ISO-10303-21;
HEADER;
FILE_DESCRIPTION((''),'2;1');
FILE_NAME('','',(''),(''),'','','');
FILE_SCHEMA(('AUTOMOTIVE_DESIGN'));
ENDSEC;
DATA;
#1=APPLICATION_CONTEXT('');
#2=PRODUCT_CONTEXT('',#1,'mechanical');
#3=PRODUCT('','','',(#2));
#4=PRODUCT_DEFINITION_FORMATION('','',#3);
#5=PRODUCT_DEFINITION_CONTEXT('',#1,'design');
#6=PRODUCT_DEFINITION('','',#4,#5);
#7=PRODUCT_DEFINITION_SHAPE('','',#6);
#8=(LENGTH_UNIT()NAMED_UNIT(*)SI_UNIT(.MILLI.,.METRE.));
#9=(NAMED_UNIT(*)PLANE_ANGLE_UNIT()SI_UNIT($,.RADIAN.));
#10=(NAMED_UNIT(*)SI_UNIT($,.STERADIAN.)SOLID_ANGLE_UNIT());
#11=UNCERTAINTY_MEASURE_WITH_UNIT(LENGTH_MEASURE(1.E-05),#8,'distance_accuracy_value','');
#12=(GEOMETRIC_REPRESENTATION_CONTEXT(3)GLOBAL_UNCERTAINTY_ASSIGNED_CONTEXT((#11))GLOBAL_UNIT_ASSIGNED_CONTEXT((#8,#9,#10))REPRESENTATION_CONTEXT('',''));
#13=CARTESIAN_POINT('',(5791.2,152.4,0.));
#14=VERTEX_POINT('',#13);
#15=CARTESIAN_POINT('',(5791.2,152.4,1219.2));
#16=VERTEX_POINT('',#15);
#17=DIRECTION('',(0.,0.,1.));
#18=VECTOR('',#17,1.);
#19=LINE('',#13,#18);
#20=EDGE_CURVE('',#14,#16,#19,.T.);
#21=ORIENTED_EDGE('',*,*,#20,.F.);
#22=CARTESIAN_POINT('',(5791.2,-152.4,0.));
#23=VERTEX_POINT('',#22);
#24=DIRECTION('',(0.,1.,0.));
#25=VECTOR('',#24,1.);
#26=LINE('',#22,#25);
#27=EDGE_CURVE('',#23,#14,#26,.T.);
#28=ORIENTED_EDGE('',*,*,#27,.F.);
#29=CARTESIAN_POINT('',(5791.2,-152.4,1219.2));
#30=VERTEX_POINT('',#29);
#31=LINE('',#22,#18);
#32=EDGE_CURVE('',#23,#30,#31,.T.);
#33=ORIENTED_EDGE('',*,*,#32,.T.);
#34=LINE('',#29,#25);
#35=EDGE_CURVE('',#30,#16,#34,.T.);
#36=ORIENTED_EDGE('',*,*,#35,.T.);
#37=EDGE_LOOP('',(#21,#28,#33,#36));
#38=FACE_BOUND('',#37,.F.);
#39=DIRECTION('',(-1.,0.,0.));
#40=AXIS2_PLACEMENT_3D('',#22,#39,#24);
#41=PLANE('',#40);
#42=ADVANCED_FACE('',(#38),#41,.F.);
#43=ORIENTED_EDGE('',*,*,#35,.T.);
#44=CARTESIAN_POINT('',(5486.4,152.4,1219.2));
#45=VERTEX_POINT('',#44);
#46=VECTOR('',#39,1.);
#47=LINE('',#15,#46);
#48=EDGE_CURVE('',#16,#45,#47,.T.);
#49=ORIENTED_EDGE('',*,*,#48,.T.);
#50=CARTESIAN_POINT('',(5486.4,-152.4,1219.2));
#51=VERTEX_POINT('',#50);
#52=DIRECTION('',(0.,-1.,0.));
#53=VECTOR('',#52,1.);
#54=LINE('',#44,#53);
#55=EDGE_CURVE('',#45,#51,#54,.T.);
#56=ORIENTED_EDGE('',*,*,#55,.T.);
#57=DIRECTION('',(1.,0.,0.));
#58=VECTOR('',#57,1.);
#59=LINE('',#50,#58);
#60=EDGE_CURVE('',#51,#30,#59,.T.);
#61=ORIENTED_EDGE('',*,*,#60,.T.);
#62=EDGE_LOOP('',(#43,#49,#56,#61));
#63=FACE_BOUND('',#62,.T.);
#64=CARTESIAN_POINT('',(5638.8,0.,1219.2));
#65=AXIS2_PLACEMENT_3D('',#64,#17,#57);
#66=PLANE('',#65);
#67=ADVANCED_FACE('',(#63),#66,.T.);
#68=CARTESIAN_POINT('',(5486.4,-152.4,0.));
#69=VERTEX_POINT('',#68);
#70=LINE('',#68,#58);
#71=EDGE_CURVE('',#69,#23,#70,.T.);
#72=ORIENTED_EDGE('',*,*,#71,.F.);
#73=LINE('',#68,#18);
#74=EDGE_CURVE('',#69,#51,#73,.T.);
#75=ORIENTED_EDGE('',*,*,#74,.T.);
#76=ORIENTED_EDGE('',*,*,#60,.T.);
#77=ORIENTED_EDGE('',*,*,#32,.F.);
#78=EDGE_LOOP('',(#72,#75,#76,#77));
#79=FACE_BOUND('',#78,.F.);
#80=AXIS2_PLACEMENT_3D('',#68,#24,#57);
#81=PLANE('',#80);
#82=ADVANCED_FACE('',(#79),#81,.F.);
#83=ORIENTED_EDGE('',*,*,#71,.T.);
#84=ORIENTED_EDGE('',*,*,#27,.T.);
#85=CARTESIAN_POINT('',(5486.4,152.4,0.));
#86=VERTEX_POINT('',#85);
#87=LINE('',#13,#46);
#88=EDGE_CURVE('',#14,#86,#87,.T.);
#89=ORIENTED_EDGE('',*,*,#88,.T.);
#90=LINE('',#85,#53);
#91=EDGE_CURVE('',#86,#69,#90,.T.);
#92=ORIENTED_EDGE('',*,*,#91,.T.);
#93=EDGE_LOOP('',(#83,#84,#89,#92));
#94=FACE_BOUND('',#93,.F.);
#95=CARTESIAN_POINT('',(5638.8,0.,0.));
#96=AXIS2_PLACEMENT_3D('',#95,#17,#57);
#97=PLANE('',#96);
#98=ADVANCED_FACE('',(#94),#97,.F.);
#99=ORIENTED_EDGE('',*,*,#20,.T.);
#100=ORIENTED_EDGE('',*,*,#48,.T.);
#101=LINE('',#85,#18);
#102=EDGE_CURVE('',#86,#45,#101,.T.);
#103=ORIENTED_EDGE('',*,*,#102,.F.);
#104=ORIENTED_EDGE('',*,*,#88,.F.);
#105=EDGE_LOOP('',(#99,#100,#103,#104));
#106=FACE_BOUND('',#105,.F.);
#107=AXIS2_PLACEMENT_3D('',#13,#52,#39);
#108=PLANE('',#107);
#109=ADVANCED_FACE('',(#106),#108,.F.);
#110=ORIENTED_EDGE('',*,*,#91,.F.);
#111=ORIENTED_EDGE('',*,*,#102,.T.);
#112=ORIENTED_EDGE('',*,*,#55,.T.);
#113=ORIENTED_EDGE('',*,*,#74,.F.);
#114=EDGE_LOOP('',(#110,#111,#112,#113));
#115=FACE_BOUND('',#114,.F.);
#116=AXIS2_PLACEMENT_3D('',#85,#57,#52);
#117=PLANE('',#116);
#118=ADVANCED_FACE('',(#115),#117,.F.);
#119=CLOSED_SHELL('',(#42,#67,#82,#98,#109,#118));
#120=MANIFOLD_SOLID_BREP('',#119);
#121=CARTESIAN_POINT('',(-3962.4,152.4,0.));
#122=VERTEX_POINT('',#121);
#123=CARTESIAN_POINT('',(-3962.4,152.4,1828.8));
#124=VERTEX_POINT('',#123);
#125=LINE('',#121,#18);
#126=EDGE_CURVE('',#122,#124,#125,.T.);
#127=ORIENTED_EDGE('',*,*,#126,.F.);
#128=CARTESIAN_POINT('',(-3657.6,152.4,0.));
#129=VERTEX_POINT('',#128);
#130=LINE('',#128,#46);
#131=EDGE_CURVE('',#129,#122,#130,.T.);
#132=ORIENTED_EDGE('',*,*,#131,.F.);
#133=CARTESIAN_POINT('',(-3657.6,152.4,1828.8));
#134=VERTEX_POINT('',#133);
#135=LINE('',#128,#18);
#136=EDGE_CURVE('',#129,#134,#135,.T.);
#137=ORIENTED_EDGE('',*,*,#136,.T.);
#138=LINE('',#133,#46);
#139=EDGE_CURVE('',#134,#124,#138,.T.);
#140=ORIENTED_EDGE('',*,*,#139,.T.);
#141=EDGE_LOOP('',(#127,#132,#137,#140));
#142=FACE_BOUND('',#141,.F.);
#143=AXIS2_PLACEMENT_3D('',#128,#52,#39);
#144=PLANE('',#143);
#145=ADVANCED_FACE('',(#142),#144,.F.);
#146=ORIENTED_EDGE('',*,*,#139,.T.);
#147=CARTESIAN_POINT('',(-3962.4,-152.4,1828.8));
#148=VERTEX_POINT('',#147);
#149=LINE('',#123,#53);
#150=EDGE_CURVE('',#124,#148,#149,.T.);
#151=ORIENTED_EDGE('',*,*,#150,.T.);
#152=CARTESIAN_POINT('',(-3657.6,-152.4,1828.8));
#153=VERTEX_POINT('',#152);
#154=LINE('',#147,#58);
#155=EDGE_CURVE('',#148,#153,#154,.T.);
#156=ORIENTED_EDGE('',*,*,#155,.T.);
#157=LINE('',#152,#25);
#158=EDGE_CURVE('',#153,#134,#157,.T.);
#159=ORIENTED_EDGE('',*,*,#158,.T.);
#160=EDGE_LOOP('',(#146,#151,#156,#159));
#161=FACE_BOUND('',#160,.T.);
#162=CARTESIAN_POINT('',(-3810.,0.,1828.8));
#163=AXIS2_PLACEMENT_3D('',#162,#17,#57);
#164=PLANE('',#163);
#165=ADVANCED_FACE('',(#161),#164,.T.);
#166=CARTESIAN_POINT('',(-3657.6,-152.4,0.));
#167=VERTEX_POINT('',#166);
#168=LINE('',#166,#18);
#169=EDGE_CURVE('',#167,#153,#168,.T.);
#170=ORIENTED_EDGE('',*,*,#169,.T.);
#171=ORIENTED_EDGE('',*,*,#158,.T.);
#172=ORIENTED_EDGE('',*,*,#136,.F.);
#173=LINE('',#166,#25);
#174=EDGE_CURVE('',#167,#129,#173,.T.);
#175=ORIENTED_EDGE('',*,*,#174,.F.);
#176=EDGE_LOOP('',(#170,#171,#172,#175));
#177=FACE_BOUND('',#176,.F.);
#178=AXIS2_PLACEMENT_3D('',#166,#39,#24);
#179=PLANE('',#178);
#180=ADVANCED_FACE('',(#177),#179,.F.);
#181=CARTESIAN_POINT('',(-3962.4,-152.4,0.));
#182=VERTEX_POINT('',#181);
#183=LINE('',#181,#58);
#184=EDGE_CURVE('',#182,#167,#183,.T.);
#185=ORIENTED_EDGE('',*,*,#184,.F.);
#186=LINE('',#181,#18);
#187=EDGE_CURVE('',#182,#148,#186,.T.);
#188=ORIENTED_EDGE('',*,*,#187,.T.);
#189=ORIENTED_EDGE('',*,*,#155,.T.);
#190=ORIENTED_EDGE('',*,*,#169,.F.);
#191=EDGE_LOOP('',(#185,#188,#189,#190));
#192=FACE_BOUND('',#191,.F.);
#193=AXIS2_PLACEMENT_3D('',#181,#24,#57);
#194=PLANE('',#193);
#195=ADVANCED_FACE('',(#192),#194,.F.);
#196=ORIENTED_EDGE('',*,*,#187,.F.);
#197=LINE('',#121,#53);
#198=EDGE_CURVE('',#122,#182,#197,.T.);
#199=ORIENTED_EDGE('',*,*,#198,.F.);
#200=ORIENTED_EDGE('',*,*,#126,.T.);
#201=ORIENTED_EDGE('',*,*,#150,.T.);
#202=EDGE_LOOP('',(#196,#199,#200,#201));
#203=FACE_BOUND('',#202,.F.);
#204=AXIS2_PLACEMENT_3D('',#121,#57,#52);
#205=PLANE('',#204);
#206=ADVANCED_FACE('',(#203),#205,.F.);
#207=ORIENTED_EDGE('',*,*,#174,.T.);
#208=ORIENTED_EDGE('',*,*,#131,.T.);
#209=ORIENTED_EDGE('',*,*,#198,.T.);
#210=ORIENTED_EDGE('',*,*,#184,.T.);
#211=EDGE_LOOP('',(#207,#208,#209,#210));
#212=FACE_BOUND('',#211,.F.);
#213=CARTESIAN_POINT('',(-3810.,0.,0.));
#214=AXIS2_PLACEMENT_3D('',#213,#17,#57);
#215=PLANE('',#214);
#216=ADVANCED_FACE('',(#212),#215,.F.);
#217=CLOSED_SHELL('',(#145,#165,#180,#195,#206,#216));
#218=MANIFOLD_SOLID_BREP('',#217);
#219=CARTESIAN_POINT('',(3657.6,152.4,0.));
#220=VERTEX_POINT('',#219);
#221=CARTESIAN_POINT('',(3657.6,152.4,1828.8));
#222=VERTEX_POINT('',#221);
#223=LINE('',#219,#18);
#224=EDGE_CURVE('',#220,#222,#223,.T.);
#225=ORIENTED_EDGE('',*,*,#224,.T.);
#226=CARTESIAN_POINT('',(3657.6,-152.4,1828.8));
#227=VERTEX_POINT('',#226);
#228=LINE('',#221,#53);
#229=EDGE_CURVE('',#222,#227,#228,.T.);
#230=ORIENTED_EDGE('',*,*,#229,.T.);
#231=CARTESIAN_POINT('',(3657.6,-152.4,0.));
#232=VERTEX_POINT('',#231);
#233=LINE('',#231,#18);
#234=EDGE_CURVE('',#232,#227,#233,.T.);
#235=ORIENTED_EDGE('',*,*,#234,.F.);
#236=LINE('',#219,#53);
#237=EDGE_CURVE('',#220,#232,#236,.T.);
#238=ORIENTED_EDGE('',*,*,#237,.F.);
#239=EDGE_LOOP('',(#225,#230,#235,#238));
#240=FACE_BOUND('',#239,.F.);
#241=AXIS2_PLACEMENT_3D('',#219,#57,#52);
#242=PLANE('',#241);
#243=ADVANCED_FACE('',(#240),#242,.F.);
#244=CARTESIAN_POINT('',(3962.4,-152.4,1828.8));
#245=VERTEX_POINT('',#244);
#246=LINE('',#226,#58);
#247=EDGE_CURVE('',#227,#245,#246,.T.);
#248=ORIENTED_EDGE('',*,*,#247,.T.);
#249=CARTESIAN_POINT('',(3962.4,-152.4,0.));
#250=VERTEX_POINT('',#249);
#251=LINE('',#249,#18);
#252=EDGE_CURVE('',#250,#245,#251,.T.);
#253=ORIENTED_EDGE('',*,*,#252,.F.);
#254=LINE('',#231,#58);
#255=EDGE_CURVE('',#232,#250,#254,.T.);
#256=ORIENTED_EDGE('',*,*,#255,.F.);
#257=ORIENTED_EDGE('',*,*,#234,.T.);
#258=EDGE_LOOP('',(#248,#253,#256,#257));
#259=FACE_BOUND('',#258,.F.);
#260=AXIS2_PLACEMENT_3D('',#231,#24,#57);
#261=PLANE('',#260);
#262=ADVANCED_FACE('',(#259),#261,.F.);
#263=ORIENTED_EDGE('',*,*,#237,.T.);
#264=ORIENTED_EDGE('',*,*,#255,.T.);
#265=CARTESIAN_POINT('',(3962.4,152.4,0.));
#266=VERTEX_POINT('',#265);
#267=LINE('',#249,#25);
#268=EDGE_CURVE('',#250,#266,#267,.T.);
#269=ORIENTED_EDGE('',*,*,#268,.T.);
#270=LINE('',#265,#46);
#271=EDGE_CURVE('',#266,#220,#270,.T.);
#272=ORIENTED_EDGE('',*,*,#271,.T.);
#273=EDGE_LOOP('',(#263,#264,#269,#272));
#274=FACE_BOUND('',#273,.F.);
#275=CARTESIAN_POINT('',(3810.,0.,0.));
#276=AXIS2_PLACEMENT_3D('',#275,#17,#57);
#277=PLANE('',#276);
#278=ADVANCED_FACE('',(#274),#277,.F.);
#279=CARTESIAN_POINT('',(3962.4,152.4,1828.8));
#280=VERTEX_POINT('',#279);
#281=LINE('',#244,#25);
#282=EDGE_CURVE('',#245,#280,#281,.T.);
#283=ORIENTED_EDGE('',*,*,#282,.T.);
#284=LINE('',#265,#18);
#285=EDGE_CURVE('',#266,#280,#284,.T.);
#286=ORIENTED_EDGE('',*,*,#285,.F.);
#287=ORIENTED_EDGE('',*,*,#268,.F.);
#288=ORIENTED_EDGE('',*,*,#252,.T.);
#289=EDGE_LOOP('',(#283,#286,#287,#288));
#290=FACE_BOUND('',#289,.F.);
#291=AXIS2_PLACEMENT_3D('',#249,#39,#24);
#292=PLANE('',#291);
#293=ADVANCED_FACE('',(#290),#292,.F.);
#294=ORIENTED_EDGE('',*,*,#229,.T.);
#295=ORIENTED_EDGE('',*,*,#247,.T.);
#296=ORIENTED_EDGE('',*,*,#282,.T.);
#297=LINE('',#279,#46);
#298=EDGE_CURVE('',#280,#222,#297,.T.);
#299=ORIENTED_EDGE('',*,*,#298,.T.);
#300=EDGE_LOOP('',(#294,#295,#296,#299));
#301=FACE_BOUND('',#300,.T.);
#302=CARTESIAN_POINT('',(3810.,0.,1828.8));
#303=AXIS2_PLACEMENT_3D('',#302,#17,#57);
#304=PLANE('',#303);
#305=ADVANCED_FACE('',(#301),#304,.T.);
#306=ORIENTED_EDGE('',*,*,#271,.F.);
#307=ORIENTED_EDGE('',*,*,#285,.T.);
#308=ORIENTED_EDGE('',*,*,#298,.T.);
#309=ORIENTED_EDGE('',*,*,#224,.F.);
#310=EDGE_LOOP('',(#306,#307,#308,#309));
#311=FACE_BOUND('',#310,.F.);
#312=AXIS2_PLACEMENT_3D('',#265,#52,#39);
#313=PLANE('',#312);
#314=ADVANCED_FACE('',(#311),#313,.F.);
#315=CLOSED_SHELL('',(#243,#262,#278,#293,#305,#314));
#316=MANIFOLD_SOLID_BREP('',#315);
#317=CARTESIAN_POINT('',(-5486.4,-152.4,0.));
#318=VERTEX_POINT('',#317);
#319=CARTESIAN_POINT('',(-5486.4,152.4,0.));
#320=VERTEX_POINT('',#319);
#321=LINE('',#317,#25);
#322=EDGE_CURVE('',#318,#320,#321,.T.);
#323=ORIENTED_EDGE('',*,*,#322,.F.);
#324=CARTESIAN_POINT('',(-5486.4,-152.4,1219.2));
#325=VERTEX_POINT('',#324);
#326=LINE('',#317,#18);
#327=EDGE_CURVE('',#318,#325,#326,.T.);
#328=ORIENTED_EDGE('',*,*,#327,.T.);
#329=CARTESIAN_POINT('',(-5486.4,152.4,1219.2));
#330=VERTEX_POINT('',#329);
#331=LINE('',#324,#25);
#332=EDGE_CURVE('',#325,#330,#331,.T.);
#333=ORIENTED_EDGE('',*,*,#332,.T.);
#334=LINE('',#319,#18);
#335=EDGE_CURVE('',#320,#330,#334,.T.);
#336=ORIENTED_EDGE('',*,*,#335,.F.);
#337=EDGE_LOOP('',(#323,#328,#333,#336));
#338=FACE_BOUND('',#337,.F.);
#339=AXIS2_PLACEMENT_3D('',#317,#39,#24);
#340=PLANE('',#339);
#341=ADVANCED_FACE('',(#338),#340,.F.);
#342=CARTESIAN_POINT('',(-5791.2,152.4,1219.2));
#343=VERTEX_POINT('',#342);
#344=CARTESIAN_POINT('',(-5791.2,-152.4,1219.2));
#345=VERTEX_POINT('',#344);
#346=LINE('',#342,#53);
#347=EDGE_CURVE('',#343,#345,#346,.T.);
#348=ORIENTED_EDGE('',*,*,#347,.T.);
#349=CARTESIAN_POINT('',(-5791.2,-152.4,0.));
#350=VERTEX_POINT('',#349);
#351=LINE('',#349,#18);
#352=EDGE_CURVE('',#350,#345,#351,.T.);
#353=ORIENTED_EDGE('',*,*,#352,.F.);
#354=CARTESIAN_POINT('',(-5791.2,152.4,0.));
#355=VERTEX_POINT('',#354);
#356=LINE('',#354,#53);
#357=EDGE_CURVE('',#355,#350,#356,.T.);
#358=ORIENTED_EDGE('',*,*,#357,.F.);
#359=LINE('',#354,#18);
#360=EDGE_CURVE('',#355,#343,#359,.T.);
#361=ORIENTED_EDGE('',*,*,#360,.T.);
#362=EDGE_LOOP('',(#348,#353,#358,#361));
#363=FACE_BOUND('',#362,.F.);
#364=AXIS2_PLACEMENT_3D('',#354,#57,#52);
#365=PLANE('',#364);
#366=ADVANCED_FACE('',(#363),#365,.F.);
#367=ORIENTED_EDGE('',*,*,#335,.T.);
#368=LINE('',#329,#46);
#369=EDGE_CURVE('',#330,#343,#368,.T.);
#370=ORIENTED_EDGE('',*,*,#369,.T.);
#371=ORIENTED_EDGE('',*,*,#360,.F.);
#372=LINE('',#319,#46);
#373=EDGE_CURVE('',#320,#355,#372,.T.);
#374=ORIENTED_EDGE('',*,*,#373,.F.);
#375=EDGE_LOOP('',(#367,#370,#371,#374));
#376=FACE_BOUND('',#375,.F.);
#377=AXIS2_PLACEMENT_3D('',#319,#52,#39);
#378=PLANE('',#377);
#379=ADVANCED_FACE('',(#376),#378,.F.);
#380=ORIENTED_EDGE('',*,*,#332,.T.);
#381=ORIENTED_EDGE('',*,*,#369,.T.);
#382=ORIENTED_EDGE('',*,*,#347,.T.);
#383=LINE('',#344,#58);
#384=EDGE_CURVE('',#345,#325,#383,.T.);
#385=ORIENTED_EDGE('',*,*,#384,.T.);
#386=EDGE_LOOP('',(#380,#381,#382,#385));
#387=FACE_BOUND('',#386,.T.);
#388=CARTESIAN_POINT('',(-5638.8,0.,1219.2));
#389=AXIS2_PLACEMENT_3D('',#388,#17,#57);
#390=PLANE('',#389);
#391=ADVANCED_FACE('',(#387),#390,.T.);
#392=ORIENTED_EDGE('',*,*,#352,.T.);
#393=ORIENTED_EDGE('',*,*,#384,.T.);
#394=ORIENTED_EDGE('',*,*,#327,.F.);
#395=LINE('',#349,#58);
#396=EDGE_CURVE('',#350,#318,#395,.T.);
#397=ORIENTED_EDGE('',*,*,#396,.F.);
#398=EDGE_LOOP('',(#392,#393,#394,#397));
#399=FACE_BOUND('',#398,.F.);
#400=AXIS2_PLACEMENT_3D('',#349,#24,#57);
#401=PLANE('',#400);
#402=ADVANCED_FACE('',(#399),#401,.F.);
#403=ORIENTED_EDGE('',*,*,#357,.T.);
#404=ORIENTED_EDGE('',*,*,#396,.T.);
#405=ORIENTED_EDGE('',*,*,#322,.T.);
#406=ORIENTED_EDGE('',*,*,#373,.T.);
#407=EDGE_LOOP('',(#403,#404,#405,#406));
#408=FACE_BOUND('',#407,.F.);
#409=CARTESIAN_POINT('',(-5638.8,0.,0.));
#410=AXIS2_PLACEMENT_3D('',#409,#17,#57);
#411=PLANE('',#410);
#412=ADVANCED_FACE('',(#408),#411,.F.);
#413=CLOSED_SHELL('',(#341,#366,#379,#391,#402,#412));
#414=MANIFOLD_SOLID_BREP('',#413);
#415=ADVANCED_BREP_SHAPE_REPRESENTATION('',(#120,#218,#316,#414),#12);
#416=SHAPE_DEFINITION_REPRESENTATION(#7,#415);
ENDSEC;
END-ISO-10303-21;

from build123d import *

# Parameters (mm, degrees)
F1_DEPTH = 1828.8
F3_DEPTH = 1219.2


with BuildPart() as f1:
    # F0 (on Top) → F1 (new body)
    with BuildSketch(Plane.XY):
        Polygon((-3657.6, -152.4), (-3657.6, 0), (-3657.6, 152.4), (-3962.4, 152.4), (-3962.4, -152.4), align=None)
        Polygon((3657.6, 152.4), (3657.6, 0), (3657.6, -152.4), (3962.4, -152.4), (3962.4, 152.4), align=None)
    extrude(amount=F1_DEPTH)


with BuildPart() as f3:
    # F2 (on Top) → F3 (new body)
    with BuildSketch(Plane.XY):
        Polygon((-5486.4, -152.4), (-5486.4, 0), (-5486.4, 152.4), (-5791.2, 152.4), (-5791.2, -152.4), align=None)
        Polygon((5486.4, 152.4), (5486.4, 0), (5486.4, -152.4), (5791.2, -152.4), (5791.2, 152.4), align=None)
    extrude(amount=F3_DEPTH)


solid = Compound([f1.part, f3.part])
